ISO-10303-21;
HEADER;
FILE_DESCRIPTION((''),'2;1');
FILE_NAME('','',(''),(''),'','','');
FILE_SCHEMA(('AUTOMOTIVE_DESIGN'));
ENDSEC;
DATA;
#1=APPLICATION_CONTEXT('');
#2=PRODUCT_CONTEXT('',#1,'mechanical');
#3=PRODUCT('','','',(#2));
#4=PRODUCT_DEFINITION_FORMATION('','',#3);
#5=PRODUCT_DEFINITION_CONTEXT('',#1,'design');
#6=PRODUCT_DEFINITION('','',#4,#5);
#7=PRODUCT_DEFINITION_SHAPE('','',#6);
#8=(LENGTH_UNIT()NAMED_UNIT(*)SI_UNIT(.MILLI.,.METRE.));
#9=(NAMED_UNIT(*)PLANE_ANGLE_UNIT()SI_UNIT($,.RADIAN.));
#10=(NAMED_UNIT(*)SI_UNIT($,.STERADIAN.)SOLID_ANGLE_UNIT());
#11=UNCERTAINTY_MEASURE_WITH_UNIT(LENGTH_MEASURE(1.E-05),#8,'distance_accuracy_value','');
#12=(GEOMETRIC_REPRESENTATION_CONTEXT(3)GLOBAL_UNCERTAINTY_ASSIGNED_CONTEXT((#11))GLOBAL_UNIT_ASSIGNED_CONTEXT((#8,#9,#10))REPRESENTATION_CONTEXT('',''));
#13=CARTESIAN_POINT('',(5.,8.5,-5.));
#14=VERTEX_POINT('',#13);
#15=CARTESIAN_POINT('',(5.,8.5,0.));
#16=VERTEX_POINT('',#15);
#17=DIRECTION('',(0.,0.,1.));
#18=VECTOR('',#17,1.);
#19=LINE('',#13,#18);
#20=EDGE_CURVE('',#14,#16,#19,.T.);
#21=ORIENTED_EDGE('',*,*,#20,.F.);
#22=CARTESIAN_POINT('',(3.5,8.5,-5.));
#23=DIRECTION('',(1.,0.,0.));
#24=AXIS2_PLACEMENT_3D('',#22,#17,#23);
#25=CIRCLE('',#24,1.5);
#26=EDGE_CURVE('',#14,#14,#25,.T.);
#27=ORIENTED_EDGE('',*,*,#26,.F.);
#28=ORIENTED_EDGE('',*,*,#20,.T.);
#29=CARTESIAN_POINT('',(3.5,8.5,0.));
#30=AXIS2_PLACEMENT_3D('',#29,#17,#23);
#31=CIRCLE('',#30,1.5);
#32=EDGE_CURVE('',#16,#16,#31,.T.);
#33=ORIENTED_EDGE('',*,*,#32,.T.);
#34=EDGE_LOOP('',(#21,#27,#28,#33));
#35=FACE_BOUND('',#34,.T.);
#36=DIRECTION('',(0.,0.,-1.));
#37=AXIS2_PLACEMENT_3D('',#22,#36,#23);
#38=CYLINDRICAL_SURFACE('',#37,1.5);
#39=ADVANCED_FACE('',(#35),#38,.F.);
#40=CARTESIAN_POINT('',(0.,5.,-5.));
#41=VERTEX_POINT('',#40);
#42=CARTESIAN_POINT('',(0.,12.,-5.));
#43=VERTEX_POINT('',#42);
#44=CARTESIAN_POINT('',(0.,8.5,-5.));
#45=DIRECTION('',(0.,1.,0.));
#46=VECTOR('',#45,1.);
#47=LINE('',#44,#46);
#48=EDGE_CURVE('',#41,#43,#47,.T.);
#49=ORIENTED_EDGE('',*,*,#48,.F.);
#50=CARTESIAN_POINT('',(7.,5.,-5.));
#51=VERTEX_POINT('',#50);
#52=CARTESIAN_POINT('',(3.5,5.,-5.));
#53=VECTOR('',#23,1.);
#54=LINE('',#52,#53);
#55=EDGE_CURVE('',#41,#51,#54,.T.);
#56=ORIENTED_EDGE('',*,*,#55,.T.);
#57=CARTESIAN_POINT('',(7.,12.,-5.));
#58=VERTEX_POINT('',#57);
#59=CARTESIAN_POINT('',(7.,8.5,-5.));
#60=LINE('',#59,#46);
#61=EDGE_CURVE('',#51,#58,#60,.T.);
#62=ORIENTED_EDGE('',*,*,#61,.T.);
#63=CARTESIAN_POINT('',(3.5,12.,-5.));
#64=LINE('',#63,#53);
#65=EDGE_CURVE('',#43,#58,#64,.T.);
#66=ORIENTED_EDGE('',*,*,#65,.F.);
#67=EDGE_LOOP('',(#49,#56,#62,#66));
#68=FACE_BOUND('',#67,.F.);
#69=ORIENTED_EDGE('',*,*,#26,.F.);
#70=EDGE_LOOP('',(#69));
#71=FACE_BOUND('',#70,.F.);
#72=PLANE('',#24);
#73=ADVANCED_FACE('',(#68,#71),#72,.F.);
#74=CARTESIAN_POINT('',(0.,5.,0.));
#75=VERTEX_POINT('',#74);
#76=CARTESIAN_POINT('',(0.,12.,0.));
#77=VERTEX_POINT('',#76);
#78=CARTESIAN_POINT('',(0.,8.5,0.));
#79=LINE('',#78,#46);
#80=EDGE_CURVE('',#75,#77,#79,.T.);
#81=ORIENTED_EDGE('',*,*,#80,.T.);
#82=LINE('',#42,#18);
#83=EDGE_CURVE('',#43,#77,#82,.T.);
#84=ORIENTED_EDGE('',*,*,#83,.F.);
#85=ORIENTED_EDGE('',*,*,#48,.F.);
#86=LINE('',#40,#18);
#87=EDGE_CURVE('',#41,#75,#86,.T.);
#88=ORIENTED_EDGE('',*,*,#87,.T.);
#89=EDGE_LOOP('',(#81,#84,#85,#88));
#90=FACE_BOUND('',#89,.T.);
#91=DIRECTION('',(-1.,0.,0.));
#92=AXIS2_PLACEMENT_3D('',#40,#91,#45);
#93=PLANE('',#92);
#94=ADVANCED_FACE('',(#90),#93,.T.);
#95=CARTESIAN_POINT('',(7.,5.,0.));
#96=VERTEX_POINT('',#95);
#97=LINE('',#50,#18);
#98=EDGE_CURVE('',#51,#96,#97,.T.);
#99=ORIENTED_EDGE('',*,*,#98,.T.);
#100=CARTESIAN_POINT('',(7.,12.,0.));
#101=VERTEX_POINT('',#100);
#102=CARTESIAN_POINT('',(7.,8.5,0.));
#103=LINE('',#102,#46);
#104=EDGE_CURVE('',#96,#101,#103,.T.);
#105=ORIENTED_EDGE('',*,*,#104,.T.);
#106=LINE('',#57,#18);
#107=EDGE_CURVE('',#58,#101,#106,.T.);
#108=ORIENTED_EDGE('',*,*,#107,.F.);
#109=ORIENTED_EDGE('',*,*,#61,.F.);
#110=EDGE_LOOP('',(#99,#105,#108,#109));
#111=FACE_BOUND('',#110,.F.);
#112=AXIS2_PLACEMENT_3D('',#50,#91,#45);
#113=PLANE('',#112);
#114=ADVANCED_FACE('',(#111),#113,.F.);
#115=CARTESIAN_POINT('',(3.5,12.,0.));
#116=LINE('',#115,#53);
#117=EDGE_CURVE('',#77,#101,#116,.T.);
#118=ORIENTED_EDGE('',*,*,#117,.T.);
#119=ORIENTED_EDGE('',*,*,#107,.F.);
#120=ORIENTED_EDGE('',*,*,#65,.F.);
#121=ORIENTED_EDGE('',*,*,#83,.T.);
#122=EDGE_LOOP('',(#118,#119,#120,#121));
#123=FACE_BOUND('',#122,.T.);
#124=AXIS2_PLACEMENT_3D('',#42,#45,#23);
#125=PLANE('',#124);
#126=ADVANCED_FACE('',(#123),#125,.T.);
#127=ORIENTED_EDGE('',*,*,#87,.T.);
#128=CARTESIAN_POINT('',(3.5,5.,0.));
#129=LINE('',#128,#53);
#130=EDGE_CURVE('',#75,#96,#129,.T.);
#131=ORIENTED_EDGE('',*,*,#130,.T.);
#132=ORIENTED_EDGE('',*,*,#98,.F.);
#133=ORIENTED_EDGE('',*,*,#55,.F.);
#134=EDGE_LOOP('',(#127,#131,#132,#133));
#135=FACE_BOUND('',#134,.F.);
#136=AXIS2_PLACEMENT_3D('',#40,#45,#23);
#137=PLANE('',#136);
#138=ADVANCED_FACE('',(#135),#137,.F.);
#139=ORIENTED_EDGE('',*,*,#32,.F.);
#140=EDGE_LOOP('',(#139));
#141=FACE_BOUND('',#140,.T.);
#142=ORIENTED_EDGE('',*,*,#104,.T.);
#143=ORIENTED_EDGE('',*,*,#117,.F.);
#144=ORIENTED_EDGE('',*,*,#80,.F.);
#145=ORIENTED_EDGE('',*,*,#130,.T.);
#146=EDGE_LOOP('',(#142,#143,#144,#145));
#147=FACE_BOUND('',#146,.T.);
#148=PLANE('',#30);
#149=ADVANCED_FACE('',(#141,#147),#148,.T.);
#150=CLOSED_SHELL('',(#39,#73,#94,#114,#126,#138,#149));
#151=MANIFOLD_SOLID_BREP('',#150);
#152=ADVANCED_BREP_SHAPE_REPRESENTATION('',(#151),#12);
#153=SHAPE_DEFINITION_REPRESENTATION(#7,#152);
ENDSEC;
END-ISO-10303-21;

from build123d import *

# Parameters (mm, degrees)
CYLINDER_R     = 1.5
CYLINDER_DEPTH = 5
BOX009_W       = 7
BOX009_H       = 7
BOX009_DEPTH   = 5


with BuildPart() as screwhole:
    # Cylinder → Cylinder (new body)
    with BuildSketch(Plane(origin=(3.5, 8.5, -5), x_dir=(1, 0, 0), z_dir=(0, 0, 1))):
        Circle(CYLINDER_R)
    extrude(amount=CYLINDER_DEPTH)


with BuildPart() as cut005:
    # Box009 → Box009 (new body)
    with BuildSketch(Plane(origin=(0, 5, -5), x_dir=(1, 0, 0), z_dir=(0, 0, 1))):
        with Locations((3.5, 3.5)):
            Rectangle(BOX009_W, BOX009_H)
    extrude(amount=BOX009_DEPTH)

    # Cut005: cut ScrewHole
    add(screwhole.part, mode=Mode.SUBTRACT)


solid = cut005.part
